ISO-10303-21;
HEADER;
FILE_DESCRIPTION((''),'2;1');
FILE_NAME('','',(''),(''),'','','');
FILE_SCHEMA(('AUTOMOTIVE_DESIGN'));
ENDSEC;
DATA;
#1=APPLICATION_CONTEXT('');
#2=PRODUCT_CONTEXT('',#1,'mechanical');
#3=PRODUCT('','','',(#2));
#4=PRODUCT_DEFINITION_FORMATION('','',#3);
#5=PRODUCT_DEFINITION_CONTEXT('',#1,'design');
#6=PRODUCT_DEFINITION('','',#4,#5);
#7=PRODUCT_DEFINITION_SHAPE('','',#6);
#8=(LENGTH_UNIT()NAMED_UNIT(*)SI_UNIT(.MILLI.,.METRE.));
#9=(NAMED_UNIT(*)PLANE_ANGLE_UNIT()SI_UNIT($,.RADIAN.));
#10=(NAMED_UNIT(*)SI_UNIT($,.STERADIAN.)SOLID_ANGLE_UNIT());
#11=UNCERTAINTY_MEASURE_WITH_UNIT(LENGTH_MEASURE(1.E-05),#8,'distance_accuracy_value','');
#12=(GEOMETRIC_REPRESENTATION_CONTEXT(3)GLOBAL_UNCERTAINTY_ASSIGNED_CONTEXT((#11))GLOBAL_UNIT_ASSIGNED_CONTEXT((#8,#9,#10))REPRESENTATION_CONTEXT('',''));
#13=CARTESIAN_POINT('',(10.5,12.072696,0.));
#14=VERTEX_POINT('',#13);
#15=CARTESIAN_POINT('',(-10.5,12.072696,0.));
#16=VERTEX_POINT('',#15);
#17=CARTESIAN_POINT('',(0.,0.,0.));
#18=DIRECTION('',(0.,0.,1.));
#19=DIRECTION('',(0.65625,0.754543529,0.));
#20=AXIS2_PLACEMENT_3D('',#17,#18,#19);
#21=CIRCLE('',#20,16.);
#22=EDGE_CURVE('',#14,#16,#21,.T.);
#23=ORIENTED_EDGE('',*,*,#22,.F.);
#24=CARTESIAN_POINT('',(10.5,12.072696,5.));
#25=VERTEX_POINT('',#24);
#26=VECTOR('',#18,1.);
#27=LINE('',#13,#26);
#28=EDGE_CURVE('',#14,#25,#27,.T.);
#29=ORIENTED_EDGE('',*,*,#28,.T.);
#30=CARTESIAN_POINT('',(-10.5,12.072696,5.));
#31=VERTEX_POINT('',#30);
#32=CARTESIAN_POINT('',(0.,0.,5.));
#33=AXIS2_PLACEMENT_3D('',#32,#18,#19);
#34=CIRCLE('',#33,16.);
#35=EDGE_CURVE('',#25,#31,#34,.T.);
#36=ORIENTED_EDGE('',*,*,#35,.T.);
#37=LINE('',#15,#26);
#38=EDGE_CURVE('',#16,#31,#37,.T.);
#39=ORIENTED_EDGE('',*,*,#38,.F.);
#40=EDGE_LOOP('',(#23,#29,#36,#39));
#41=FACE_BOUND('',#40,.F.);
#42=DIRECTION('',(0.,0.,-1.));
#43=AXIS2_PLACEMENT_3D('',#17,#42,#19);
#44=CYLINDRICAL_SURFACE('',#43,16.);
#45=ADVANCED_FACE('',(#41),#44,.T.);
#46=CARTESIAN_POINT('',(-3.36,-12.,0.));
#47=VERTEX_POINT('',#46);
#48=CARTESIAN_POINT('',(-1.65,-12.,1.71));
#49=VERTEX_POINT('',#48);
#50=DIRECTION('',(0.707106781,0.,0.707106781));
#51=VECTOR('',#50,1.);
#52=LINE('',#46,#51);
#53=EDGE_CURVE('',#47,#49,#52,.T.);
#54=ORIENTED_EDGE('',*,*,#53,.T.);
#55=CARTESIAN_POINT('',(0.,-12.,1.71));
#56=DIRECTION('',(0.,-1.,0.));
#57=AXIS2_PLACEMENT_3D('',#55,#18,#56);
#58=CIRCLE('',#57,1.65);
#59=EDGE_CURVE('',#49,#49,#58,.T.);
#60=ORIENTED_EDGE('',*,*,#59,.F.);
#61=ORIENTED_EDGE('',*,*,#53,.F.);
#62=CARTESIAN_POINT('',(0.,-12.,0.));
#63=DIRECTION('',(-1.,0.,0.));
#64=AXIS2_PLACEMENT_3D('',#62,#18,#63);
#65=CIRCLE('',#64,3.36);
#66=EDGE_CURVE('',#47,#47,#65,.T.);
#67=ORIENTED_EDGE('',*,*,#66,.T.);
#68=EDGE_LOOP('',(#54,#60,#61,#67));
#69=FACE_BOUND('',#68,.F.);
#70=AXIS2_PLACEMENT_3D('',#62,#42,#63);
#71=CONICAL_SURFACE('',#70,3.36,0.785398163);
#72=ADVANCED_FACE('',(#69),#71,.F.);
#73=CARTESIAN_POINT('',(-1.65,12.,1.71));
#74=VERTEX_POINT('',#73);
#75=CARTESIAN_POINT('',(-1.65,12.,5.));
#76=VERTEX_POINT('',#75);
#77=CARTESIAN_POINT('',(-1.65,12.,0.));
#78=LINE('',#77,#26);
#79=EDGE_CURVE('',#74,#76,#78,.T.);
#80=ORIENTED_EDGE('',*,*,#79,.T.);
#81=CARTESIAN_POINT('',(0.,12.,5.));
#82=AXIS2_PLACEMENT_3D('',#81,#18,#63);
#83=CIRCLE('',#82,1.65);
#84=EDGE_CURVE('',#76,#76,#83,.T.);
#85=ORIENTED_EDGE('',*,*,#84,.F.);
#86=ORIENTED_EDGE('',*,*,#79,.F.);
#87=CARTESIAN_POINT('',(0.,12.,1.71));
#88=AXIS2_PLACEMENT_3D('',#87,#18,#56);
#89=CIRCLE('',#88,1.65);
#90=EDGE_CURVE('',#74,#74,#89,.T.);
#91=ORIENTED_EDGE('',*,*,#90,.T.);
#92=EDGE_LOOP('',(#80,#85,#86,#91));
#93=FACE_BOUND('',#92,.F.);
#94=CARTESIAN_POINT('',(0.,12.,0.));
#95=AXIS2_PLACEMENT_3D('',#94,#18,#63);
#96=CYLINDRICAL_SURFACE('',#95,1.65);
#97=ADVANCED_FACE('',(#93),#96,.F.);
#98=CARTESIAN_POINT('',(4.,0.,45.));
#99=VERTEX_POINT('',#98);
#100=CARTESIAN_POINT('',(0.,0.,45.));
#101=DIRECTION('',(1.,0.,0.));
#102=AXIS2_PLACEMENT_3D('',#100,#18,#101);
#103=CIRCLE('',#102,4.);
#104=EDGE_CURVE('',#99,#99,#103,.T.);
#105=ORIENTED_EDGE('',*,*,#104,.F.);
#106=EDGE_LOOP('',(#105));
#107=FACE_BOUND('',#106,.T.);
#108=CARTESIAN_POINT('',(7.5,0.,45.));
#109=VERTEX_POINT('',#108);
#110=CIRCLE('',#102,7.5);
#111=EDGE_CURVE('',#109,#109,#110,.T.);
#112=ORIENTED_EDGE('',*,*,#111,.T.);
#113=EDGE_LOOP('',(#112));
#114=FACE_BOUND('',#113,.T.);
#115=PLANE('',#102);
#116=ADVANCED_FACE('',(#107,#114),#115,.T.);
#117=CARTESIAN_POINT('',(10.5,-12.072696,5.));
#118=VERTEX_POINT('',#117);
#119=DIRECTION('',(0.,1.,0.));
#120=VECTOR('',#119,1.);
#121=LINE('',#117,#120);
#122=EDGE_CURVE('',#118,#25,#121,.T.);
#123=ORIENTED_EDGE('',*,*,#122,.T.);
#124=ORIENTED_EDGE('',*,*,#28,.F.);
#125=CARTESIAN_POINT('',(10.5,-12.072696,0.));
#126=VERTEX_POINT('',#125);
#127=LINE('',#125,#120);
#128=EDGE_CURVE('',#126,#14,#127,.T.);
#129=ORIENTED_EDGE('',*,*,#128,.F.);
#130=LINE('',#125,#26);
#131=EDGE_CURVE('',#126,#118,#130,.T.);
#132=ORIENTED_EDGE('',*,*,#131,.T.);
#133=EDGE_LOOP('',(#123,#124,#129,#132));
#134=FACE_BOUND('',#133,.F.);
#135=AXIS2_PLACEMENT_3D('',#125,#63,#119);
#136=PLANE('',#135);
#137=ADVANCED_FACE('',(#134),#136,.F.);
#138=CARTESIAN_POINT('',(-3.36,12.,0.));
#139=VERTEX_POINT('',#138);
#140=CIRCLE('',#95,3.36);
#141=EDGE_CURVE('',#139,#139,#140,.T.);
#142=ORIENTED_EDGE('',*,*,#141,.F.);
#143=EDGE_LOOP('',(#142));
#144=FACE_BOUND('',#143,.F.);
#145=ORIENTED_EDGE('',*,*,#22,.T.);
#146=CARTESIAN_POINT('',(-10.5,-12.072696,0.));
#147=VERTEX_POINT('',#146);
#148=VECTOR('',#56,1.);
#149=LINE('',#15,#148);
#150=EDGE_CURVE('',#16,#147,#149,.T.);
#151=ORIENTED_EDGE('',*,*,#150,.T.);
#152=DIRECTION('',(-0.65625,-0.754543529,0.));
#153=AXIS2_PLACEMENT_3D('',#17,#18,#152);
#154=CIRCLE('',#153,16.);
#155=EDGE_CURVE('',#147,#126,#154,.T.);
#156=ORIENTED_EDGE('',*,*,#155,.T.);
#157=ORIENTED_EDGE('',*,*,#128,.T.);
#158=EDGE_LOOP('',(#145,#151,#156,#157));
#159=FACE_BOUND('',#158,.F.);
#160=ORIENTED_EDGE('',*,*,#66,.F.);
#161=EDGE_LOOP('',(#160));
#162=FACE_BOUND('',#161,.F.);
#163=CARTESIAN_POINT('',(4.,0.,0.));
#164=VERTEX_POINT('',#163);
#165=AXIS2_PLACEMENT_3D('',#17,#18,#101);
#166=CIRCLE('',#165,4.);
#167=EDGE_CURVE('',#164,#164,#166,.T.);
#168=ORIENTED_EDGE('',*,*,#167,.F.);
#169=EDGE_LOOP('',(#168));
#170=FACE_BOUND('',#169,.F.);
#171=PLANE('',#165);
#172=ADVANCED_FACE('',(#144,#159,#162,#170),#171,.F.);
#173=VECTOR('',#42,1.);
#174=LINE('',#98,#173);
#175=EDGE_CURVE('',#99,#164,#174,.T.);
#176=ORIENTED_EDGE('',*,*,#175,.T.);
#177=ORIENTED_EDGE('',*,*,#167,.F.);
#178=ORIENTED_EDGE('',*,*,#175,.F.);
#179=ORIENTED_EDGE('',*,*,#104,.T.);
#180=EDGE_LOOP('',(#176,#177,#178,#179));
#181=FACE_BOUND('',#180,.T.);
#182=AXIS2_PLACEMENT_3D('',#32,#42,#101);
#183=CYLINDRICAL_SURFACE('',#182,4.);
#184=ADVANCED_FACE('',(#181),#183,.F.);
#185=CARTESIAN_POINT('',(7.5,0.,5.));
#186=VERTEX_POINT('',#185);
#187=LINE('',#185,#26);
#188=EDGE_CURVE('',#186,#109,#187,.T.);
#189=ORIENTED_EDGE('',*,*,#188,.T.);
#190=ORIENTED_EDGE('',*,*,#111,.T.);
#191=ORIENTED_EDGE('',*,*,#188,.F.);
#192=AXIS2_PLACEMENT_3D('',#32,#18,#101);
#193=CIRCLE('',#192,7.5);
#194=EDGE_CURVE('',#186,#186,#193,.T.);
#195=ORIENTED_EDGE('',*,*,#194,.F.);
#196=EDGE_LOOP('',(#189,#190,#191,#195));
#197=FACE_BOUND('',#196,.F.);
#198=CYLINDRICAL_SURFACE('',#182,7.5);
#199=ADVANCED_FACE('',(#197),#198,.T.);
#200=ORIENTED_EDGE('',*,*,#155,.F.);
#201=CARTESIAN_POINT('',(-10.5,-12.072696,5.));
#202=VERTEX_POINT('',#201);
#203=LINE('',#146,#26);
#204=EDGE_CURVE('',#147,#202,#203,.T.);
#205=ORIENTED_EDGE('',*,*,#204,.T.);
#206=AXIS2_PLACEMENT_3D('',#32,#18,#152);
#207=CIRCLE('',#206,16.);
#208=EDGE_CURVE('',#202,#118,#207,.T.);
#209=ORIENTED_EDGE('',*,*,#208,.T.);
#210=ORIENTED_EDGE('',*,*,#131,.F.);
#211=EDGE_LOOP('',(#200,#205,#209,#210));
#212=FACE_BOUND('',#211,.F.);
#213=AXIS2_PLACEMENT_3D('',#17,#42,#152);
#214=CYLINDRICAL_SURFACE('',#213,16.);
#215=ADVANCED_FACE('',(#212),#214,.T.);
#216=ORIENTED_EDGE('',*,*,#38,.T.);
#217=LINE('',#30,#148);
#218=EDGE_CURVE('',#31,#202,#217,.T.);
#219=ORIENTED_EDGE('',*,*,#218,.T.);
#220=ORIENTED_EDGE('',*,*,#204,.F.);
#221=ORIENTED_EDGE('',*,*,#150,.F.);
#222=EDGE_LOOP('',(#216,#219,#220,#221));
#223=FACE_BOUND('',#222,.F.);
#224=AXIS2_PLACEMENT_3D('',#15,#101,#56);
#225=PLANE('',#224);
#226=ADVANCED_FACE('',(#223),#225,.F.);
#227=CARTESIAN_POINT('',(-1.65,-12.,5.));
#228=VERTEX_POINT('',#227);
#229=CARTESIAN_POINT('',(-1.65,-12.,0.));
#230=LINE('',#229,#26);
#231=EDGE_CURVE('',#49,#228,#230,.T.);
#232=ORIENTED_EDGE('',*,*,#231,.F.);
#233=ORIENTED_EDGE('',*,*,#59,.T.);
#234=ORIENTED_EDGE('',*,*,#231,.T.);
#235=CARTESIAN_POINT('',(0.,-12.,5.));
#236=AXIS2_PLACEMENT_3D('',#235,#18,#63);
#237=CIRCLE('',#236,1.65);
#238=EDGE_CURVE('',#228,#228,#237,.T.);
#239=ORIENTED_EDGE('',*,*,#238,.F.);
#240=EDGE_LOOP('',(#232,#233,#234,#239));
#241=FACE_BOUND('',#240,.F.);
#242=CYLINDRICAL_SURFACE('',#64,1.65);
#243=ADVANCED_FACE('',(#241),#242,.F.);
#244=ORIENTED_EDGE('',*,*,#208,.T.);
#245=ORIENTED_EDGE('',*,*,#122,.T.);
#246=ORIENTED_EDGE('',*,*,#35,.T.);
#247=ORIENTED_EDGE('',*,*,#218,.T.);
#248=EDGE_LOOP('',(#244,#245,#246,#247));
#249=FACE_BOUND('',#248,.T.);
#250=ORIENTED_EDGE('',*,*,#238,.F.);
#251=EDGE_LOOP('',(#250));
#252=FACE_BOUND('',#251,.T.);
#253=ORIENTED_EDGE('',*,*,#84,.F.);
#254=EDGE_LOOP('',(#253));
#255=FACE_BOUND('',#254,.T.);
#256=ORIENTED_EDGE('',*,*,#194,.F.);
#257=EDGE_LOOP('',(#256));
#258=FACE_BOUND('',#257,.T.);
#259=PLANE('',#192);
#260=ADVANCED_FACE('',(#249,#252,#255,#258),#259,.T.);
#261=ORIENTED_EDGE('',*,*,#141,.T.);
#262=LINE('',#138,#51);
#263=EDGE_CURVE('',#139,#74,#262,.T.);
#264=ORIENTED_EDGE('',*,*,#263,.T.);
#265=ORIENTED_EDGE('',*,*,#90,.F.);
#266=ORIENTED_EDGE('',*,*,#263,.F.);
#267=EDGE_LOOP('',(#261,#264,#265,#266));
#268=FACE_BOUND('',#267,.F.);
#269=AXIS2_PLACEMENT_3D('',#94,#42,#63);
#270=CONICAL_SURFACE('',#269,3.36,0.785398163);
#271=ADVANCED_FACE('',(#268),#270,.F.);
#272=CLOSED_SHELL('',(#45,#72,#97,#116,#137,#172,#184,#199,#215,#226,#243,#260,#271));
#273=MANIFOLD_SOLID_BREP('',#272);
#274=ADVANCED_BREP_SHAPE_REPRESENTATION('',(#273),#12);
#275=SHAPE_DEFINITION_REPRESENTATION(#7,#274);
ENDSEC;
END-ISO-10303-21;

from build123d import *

# Parameters (mm, degrees)
F0_R           = 4
F1_DEPTH       = 5
F2_D           = 3.3
F2_DEPTH       = 10
F2_CSINK_D     = 6.72
F2_CSINK_ANGLE = 90
F2_TIP         = 0.9914200214
F3_R           = 7.5
F3_R_2         = 4
F4_DEPTH       = 40


with BuildPart() as f1:
    # F0 (on Top) → F1 (new body)
    with BuildSketch(Plane.XY):
        with BuildLine():
            ThreePointArc((10.5, 12.0726964676), (0, 16), (-10.5, 12.0726964676))
            Line((-10.5, 12.0726964676), (-10.5, -12.0726964676))
            ThreePointArc((-10.5, -12.0726964676), (0, -16), (10.5, -12.0726964676))
            Line((10.5, -12.0726964676), (10.5, 12.0726964676))
        make_face()
        Circle(F0_R, mode=Mode.SUBTRACT)
    extrude(amount=F1_DEPTH)

    # F2
    with Locations(Plane(origin=(0, 0, 0), x_dir=(1, 0, 0), z_dir=(0, 0, -1))):
        with Locations((0, -12), (0, 12)):
            CounterSinkHole(F2_D / 2, F2_CSINK_D / 2, depth=F2_DEPTH, counter_sink_angle=F2_CSINK_ANGLE)
            with Locations((0, 0, -(F2_DEPTH + F2_TIP / 2))):  # 118° drill point
                Cone(0, F2_D / 2, F2_TIP, mode=Mode.SUBTRACT)

    # F3 (on face) → F4 (join)
    with BuildSketch(Plane.XY.offset(5)):
        Circle(F3_R)
        Circle(F3_R_2, mode=Mode.SUBTRACT)
    extrude(amount=F4_DEPTH)


solid = f1.part
